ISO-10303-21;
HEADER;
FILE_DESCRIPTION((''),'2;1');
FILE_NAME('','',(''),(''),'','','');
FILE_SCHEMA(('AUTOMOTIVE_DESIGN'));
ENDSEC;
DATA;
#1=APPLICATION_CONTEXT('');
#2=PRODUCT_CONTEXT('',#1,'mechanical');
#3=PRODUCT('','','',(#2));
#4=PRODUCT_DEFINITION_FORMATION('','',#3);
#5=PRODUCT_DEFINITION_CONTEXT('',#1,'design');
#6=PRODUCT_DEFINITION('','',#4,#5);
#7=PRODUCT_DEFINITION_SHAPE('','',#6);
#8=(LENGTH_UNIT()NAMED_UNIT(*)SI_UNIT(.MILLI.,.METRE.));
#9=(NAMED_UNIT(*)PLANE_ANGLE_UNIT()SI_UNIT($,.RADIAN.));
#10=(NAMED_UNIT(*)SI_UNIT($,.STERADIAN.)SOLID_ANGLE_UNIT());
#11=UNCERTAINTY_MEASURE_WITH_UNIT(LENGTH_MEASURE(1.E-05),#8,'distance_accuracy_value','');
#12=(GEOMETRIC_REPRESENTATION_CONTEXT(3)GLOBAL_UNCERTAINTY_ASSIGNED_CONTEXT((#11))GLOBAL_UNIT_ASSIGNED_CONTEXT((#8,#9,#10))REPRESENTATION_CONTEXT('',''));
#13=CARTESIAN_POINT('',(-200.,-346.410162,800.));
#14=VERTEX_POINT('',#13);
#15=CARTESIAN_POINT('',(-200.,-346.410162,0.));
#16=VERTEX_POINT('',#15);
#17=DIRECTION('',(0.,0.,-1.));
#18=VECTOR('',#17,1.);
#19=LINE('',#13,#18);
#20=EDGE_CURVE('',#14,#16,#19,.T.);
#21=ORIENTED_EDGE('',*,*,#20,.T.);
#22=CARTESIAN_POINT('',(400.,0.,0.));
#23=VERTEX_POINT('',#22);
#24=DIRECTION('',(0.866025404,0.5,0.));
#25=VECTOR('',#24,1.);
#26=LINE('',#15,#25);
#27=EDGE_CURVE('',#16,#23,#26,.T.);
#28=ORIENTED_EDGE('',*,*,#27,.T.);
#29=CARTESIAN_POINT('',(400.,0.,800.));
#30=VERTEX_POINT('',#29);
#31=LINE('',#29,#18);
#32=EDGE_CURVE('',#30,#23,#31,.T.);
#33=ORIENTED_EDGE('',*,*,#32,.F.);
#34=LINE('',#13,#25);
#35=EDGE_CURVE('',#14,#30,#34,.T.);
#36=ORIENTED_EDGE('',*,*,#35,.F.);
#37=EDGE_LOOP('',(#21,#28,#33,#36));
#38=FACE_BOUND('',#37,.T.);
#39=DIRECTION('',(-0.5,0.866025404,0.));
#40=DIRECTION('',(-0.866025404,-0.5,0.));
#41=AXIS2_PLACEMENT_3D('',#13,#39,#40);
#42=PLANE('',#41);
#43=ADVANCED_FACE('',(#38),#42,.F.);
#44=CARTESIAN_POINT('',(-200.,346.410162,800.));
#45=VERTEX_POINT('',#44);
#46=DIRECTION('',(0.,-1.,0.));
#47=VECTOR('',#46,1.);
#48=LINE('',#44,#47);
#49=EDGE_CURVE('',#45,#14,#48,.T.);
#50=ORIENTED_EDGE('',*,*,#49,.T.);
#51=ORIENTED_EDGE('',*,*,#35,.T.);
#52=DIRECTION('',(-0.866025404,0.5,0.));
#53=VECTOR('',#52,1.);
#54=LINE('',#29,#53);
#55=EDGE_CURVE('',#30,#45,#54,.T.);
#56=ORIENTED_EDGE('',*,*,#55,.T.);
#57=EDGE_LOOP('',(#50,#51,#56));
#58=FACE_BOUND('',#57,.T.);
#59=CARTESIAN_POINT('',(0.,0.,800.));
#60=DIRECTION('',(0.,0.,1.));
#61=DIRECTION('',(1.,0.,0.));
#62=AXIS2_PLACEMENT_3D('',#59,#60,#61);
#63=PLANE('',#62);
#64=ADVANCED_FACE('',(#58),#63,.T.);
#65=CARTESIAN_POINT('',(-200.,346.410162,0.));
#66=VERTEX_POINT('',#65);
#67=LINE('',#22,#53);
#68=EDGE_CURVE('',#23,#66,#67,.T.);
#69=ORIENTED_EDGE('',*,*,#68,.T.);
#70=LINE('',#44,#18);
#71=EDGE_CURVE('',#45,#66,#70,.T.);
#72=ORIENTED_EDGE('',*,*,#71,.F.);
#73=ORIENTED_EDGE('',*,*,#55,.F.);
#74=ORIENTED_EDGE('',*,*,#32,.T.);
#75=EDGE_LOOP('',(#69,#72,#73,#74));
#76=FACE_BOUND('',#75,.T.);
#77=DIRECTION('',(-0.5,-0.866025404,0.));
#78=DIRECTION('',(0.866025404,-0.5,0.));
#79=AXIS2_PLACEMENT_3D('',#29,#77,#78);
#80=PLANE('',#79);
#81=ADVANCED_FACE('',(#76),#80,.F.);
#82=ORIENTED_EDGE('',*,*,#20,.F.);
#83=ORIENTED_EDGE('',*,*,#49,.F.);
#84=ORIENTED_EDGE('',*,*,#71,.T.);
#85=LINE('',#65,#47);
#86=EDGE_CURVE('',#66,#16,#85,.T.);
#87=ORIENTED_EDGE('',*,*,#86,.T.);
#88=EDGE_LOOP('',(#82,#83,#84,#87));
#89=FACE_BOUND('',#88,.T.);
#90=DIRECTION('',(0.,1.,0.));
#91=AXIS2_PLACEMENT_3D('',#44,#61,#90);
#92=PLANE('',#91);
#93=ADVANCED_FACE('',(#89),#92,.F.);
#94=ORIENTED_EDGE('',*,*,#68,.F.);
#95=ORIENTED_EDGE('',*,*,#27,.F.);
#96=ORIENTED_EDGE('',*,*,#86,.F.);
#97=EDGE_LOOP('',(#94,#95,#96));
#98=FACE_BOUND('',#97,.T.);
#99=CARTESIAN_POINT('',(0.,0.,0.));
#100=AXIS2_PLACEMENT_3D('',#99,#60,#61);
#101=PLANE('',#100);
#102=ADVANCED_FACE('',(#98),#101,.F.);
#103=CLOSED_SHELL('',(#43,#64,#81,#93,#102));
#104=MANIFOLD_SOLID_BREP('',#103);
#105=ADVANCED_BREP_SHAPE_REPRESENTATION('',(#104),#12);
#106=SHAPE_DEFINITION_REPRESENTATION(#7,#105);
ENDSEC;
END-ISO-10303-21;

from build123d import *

# Parameters (mm, degrees)
SKETCH_1_R      = 50
EXTRUDE_1_DEPTH = 300
EXTRUDE_2_DEPTH = 800


with BuildPart() as part:
    # 草图1 → 凸台-拉伸1 (new body)
    with BuildSketch(Plane.XY):
        Circle(SKETCH_1_R)
    extrude(amount=EXTRUDE_1_DEPTH)

    # 草图2 → 凸台-拉伸2 (add)
    with BuildSketch(Plane.XY):
        Polygon((400, 0), (-200, 346.410161514), (-200, -346.410161514), align=None)
    extrude(amount=EXTRUDE_2_DEPTH)


solid = part.part
